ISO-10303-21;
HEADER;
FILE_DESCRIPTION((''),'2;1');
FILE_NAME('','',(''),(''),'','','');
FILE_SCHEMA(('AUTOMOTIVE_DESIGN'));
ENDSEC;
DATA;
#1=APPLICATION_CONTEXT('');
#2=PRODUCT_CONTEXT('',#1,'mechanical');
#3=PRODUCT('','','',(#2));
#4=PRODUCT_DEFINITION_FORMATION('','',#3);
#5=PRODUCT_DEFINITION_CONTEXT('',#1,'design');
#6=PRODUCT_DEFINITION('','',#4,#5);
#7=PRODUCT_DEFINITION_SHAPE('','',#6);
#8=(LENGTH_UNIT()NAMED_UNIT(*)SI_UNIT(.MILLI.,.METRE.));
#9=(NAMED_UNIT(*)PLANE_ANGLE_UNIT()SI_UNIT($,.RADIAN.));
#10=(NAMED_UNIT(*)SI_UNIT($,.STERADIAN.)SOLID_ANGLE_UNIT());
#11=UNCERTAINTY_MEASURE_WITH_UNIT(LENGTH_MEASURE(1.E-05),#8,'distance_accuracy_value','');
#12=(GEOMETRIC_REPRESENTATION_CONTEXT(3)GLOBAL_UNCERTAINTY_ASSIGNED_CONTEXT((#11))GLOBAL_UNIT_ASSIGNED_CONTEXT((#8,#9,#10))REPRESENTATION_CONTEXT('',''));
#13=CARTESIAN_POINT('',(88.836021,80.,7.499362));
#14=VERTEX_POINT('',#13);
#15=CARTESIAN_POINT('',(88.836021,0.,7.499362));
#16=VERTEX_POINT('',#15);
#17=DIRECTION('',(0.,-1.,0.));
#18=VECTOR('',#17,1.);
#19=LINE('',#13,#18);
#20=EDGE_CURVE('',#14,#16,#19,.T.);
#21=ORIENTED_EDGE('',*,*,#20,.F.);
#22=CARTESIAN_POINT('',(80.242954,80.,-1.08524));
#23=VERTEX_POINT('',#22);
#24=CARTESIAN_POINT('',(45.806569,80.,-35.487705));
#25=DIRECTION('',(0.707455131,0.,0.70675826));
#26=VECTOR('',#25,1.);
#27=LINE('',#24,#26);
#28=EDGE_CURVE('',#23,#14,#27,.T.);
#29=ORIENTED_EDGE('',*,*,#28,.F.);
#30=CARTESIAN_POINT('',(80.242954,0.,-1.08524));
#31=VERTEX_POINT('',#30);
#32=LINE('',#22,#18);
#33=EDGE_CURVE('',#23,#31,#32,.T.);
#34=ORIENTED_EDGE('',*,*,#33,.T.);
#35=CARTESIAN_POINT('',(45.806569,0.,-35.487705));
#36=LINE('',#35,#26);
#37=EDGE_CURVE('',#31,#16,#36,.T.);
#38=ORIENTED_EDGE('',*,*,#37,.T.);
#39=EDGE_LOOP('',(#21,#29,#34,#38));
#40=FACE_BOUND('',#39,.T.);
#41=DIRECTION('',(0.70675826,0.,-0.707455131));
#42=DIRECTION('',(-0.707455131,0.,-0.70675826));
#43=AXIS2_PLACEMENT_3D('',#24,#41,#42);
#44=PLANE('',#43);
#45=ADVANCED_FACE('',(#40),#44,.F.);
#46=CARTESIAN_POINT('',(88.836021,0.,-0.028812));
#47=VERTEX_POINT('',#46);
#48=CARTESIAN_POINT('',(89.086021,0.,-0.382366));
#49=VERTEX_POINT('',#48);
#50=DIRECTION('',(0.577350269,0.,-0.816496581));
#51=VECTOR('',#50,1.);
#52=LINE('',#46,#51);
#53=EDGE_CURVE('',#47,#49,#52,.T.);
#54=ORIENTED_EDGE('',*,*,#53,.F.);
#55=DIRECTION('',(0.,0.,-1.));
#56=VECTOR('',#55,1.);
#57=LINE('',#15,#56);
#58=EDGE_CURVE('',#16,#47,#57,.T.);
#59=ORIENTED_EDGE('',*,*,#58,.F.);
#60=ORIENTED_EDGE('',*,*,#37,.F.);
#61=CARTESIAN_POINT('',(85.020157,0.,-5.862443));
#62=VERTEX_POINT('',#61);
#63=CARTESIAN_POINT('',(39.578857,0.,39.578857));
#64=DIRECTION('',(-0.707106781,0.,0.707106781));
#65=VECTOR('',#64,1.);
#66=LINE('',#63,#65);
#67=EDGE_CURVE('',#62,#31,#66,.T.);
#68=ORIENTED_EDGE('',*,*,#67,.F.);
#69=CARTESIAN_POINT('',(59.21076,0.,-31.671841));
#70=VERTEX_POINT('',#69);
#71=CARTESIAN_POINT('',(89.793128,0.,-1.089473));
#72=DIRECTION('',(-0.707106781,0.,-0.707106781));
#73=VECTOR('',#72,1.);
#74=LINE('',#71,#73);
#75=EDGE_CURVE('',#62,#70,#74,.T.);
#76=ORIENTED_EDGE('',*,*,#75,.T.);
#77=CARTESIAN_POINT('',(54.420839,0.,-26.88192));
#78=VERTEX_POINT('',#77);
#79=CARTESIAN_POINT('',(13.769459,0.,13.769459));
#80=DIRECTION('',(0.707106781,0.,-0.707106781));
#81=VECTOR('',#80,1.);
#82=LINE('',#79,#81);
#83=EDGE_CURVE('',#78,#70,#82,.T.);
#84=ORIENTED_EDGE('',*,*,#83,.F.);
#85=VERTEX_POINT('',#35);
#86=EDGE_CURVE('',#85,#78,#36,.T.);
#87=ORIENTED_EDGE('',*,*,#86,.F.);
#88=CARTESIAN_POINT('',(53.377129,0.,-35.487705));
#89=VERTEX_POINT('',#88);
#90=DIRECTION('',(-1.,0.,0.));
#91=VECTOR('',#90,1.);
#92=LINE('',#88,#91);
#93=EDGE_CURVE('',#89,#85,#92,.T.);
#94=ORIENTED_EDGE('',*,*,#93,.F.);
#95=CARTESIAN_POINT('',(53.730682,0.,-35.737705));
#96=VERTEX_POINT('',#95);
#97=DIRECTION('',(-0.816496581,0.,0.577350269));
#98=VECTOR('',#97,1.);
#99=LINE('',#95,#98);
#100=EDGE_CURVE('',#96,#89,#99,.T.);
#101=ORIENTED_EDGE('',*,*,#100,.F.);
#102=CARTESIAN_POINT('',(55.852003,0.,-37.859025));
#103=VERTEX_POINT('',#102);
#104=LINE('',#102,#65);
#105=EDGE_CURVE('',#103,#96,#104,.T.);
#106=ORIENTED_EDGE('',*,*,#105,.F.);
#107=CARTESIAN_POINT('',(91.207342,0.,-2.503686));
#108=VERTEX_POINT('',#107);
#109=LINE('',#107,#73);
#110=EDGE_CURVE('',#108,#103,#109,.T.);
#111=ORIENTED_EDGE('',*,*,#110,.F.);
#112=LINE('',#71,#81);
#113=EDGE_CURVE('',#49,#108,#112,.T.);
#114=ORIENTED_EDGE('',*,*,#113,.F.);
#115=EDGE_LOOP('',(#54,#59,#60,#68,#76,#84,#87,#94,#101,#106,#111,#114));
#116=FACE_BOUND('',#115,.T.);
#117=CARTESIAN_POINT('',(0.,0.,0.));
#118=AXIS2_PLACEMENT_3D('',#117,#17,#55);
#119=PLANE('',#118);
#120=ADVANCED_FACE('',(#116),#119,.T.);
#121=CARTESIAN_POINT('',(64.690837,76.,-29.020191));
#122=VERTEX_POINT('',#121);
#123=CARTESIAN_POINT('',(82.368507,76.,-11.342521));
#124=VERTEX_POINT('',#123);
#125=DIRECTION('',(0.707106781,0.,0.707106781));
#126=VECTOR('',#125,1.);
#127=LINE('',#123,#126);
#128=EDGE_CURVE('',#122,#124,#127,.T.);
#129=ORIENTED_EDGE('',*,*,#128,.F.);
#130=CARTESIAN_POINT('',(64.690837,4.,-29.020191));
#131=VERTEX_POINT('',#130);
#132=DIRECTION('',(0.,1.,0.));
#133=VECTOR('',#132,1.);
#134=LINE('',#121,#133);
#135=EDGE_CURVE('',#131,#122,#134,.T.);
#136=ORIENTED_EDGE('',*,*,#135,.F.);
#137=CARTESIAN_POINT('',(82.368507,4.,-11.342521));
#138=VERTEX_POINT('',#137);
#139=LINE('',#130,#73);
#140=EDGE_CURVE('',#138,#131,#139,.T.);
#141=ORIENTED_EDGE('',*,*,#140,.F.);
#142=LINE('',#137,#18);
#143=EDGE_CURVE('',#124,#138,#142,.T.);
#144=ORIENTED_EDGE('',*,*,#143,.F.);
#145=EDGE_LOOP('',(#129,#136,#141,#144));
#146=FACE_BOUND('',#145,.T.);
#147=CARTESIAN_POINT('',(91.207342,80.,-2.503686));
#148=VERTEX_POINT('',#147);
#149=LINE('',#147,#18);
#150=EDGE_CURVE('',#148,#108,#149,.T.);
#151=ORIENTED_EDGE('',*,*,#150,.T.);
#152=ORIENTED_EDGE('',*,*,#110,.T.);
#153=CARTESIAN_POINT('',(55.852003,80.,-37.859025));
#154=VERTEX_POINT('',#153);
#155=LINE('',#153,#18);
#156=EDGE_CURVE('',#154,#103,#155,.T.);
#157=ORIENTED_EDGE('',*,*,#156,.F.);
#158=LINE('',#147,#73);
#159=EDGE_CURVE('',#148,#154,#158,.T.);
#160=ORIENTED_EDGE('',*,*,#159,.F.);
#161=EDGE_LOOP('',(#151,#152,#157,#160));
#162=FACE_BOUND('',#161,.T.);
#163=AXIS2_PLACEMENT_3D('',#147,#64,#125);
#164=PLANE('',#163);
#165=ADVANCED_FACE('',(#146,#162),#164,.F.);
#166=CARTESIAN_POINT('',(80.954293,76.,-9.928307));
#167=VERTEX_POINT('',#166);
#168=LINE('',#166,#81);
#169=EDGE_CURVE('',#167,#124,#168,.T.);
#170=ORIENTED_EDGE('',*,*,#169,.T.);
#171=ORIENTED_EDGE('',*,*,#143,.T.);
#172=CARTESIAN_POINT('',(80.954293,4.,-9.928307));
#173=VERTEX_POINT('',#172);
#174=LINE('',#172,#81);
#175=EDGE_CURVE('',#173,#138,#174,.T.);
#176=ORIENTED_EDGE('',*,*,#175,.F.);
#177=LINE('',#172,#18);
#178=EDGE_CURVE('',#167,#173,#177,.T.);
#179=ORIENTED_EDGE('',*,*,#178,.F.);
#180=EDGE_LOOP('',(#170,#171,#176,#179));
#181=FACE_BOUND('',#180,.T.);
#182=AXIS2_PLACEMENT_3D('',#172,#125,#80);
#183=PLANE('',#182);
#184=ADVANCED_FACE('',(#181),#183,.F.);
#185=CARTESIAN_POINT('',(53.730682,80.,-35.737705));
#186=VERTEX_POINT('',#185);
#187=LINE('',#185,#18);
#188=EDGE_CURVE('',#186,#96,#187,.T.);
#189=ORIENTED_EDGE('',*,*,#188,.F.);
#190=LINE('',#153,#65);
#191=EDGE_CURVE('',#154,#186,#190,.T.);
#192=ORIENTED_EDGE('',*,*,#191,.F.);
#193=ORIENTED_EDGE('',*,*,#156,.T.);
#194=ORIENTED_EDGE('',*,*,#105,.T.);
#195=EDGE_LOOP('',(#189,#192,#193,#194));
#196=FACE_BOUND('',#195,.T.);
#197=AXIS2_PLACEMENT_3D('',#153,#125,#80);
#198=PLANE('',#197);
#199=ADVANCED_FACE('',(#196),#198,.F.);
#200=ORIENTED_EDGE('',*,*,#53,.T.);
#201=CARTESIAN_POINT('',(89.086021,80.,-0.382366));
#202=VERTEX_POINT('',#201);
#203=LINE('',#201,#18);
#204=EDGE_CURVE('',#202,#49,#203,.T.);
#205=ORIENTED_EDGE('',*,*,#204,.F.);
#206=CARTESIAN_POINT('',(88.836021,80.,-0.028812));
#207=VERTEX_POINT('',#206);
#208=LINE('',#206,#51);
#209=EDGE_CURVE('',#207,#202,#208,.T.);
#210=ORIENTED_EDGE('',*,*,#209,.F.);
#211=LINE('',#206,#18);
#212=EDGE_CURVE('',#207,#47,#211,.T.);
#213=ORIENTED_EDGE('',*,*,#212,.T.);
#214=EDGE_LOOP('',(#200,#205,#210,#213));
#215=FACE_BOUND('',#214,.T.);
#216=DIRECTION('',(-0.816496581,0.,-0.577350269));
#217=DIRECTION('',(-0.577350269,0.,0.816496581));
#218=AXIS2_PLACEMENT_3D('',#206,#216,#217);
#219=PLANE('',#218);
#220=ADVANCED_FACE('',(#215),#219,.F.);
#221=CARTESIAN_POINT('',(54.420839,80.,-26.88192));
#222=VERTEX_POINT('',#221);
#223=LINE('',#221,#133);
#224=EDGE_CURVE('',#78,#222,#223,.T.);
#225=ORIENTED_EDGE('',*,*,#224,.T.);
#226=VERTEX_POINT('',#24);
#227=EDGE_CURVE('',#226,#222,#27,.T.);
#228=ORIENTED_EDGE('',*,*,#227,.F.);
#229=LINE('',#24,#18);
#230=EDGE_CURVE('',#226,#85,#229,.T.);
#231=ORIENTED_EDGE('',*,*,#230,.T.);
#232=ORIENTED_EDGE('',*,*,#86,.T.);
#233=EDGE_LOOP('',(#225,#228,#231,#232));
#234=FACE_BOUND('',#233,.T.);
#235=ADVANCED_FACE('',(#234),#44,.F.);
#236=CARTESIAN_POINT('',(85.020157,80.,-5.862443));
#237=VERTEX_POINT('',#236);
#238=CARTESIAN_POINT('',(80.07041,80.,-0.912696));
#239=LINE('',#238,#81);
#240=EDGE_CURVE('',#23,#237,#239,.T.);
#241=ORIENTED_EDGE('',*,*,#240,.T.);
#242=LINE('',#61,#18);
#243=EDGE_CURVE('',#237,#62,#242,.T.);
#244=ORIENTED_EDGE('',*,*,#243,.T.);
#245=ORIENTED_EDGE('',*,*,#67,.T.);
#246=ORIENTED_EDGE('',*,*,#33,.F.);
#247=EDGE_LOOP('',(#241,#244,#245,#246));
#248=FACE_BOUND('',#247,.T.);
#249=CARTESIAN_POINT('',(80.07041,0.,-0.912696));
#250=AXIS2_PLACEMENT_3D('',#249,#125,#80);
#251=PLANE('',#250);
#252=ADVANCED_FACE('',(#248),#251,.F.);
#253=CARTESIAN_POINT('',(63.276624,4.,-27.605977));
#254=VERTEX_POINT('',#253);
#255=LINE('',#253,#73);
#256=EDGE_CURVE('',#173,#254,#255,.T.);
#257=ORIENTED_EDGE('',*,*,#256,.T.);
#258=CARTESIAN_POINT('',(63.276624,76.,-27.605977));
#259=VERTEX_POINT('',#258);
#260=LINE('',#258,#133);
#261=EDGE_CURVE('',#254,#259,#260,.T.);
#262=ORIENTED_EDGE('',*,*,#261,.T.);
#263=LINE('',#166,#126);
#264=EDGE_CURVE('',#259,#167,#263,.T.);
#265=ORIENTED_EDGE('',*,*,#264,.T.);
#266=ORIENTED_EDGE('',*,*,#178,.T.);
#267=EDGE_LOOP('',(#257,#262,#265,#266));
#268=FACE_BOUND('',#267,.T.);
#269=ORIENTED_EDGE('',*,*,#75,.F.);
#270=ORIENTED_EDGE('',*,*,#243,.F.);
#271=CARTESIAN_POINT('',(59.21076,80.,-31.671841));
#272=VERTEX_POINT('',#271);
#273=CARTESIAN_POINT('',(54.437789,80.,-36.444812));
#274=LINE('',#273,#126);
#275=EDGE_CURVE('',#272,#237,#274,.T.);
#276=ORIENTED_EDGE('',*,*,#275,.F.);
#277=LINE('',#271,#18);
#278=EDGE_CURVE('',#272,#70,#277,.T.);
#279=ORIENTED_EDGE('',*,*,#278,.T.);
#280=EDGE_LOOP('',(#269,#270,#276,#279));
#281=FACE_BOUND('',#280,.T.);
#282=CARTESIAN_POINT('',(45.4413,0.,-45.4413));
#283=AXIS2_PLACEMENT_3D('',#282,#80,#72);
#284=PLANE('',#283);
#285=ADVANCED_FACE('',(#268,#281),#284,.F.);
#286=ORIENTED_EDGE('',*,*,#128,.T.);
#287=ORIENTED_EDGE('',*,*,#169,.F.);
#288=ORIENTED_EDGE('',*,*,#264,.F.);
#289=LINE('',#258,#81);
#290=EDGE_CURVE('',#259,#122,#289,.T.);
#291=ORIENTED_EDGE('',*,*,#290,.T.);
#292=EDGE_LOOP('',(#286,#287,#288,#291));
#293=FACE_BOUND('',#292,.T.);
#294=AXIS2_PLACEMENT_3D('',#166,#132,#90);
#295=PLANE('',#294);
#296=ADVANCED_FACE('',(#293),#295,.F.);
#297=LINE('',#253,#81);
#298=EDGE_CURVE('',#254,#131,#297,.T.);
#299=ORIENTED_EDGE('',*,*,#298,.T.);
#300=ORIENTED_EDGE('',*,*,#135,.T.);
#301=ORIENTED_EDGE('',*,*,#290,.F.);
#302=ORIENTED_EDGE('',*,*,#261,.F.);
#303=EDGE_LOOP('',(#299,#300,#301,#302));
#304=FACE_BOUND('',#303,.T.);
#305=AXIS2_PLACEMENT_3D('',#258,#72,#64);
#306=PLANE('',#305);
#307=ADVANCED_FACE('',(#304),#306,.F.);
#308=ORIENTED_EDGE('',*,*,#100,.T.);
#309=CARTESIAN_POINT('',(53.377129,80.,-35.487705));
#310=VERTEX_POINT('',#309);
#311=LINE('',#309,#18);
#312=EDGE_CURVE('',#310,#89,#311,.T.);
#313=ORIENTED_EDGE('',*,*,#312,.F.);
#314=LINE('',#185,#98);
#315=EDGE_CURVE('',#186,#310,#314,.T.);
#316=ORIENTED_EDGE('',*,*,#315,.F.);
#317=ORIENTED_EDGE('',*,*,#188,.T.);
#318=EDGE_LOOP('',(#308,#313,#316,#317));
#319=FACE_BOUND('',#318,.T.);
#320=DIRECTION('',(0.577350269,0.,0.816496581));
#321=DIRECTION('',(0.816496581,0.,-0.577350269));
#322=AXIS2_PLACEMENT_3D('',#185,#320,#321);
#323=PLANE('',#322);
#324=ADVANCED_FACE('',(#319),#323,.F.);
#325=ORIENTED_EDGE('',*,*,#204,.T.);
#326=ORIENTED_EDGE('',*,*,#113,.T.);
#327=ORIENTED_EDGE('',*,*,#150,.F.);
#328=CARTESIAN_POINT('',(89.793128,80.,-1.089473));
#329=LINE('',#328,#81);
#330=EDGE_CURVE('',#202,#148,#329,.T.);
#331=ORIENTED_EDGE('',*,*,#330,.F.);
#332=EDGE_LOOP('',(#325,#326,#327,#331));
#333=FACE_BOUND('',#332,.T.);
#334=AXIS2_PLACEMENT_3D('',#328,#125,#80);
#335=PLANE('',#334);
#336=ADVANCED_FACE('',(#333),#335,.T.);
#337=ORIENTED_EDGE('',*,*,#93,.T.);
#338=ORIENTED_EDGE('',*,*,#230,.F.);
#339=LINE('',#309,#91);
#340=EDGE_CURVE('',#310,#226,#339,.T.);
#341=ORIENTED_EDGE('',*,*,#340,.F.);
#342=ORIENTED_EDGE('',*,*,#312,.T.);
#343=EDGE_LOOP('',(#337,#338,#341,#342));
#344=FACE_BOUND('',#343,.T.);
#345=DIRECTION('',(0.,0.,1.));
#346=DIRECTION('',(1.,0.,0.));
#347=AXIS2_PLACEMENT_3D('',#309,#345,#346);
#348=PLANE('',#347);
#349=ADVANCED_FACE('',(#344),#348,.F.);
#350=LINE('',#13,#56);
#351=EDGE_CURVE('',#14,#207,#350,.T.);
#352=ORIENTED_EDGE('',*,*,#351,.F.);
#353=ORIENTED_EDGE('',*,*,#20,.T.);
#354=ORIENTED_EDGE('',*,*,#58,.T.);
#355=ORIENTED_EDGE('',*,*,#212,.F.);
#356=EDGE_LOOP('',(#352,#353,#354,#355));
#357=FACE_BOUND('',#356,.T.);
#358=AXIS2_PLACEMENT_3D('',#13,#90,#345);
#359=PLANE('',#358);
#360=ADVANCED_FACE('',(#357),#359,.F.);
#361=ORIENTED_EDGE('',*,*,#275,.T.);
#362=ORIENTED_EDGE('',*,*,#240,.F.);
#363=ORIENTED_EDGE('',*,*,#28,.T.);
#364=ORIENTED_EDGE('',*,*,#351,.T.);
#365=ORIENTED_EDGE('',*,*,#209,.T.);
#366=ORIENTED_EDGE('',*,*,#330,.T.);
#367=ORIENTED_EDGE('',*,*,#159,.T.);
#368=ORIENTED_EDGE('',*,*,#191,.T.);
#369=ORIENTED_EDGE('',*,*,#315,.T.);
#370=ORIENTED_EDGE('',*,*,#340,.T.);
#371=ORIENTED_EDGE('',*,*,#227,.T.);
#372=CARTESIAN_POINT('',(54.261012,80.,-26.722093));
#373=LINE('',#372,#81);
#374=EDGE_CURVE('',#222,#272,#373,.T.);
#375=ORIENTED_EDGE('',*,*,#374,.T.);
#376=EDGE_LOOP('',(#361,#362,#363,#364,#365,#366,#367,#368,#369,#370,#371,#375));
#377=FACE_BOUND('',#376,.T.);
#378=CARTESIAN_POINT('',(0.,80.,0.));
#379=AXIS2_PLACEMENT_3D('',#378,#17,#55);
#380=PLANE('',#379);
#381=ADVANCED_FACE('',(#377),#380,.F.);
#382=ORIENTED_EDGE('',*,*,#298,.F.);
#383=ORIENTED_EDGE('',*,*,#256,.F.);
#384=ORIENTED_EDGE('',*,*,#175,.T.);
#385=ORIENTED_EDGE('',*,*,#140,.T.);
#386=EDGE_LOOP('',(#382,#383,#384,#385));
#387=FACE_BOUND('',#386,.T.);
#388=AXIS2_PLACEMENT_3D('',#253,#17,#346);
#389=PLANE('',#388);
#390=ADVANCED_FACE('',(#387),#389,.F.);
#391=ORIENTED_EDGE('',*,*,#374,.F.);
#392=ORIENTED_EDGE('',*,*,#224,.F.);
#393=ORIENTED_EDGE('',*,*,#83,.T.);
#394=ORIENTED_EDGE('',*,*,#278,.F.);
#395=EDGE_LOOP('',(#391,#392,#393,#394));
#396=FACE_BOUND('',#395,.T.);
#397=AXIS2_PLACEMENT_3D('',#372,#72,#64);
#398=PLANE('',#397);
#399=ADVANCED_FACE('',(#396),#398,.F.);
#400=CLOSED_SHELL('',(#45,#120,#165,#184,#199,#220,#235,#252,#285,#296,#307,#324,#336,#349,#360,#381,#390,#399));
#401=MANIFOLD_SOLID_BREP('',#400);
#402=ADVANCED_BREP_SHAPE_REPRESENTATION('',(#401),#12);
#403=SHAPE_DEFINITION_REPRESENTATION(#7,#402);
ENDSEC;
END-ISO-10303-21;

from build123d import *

# Parameters (mm, degrees)
BOSS_EXTRUDE1_DEPTH = 80
SKETCH2_W           = 36.5
SKETCH2_H           = 80
CUT_EXTRUDE1_DEPTH  = 9
SKETCH3_W           = 50
SKETCH3_H           = 80
SKETCH3_W_2         = 25
SKETCH3_H_2         = 72
BOSS_EXTRUDE2_DEPTH = 2


with BuildPart() as part:
    # Sketch1 → Boss-Extrude1 (new body)
    with BuildSketch(Plane(origin=(0, 0, 0), x_dir=(1, 0, 0), z_dir=(0, 1, 0))):
        Polygon((89.086021447, 0.382365888), (91.207341791, 2.503686231), (55.852002731, 37.859025291), (53.730682388, 35.737704947), (53.377128997, 35.487704947), (45.806568717, 35.487704947), (88.836021447, -7.499362096), (88.836021447, 0.028812497), align=None)
    extrude(amount=BOSS_EXTRUDE1_DEPTH)

    # Sketch2 → Cut-Extrude1 (cut)
    with BuildSketch(Plane(origin=(46.855514011, 0, -46.855514011), x_dir=(-0.707106781, 0, -0.707106781), z_dir=(0.707106781, 0, -0.707106781))):
        with Locations((-37.722956362, 40)):
            Rectangle(SKETCH2_W, SKETCH2_H)
    extrude(amount=-CUT_EXTRUDE1_DEPTH, mode=Mode.SUBTRACT)

    # Sketch3 → Boss-Extrude2 (add)
    with BuildSketch(Plane(origin=(46.855514011, 0, -46.855514011), x_dir=(-0.707106781, 0, -0.707106781), z_dir=(0.707106781, 0, -0.707106781))):
        with Locations((-37.722956362, 40)):
            Rectangle(SKETCH3_W, SKETCH3_H)
        with Locations((-37.722956362, 40)):
            Rectangle(SKETCH3_W_2, SKETCH3_H_2, mode=Mode.SUBTRACT)
    extrude(amount=-BOSS_EXTRUDE2_DEPTH)


solid = part.part
